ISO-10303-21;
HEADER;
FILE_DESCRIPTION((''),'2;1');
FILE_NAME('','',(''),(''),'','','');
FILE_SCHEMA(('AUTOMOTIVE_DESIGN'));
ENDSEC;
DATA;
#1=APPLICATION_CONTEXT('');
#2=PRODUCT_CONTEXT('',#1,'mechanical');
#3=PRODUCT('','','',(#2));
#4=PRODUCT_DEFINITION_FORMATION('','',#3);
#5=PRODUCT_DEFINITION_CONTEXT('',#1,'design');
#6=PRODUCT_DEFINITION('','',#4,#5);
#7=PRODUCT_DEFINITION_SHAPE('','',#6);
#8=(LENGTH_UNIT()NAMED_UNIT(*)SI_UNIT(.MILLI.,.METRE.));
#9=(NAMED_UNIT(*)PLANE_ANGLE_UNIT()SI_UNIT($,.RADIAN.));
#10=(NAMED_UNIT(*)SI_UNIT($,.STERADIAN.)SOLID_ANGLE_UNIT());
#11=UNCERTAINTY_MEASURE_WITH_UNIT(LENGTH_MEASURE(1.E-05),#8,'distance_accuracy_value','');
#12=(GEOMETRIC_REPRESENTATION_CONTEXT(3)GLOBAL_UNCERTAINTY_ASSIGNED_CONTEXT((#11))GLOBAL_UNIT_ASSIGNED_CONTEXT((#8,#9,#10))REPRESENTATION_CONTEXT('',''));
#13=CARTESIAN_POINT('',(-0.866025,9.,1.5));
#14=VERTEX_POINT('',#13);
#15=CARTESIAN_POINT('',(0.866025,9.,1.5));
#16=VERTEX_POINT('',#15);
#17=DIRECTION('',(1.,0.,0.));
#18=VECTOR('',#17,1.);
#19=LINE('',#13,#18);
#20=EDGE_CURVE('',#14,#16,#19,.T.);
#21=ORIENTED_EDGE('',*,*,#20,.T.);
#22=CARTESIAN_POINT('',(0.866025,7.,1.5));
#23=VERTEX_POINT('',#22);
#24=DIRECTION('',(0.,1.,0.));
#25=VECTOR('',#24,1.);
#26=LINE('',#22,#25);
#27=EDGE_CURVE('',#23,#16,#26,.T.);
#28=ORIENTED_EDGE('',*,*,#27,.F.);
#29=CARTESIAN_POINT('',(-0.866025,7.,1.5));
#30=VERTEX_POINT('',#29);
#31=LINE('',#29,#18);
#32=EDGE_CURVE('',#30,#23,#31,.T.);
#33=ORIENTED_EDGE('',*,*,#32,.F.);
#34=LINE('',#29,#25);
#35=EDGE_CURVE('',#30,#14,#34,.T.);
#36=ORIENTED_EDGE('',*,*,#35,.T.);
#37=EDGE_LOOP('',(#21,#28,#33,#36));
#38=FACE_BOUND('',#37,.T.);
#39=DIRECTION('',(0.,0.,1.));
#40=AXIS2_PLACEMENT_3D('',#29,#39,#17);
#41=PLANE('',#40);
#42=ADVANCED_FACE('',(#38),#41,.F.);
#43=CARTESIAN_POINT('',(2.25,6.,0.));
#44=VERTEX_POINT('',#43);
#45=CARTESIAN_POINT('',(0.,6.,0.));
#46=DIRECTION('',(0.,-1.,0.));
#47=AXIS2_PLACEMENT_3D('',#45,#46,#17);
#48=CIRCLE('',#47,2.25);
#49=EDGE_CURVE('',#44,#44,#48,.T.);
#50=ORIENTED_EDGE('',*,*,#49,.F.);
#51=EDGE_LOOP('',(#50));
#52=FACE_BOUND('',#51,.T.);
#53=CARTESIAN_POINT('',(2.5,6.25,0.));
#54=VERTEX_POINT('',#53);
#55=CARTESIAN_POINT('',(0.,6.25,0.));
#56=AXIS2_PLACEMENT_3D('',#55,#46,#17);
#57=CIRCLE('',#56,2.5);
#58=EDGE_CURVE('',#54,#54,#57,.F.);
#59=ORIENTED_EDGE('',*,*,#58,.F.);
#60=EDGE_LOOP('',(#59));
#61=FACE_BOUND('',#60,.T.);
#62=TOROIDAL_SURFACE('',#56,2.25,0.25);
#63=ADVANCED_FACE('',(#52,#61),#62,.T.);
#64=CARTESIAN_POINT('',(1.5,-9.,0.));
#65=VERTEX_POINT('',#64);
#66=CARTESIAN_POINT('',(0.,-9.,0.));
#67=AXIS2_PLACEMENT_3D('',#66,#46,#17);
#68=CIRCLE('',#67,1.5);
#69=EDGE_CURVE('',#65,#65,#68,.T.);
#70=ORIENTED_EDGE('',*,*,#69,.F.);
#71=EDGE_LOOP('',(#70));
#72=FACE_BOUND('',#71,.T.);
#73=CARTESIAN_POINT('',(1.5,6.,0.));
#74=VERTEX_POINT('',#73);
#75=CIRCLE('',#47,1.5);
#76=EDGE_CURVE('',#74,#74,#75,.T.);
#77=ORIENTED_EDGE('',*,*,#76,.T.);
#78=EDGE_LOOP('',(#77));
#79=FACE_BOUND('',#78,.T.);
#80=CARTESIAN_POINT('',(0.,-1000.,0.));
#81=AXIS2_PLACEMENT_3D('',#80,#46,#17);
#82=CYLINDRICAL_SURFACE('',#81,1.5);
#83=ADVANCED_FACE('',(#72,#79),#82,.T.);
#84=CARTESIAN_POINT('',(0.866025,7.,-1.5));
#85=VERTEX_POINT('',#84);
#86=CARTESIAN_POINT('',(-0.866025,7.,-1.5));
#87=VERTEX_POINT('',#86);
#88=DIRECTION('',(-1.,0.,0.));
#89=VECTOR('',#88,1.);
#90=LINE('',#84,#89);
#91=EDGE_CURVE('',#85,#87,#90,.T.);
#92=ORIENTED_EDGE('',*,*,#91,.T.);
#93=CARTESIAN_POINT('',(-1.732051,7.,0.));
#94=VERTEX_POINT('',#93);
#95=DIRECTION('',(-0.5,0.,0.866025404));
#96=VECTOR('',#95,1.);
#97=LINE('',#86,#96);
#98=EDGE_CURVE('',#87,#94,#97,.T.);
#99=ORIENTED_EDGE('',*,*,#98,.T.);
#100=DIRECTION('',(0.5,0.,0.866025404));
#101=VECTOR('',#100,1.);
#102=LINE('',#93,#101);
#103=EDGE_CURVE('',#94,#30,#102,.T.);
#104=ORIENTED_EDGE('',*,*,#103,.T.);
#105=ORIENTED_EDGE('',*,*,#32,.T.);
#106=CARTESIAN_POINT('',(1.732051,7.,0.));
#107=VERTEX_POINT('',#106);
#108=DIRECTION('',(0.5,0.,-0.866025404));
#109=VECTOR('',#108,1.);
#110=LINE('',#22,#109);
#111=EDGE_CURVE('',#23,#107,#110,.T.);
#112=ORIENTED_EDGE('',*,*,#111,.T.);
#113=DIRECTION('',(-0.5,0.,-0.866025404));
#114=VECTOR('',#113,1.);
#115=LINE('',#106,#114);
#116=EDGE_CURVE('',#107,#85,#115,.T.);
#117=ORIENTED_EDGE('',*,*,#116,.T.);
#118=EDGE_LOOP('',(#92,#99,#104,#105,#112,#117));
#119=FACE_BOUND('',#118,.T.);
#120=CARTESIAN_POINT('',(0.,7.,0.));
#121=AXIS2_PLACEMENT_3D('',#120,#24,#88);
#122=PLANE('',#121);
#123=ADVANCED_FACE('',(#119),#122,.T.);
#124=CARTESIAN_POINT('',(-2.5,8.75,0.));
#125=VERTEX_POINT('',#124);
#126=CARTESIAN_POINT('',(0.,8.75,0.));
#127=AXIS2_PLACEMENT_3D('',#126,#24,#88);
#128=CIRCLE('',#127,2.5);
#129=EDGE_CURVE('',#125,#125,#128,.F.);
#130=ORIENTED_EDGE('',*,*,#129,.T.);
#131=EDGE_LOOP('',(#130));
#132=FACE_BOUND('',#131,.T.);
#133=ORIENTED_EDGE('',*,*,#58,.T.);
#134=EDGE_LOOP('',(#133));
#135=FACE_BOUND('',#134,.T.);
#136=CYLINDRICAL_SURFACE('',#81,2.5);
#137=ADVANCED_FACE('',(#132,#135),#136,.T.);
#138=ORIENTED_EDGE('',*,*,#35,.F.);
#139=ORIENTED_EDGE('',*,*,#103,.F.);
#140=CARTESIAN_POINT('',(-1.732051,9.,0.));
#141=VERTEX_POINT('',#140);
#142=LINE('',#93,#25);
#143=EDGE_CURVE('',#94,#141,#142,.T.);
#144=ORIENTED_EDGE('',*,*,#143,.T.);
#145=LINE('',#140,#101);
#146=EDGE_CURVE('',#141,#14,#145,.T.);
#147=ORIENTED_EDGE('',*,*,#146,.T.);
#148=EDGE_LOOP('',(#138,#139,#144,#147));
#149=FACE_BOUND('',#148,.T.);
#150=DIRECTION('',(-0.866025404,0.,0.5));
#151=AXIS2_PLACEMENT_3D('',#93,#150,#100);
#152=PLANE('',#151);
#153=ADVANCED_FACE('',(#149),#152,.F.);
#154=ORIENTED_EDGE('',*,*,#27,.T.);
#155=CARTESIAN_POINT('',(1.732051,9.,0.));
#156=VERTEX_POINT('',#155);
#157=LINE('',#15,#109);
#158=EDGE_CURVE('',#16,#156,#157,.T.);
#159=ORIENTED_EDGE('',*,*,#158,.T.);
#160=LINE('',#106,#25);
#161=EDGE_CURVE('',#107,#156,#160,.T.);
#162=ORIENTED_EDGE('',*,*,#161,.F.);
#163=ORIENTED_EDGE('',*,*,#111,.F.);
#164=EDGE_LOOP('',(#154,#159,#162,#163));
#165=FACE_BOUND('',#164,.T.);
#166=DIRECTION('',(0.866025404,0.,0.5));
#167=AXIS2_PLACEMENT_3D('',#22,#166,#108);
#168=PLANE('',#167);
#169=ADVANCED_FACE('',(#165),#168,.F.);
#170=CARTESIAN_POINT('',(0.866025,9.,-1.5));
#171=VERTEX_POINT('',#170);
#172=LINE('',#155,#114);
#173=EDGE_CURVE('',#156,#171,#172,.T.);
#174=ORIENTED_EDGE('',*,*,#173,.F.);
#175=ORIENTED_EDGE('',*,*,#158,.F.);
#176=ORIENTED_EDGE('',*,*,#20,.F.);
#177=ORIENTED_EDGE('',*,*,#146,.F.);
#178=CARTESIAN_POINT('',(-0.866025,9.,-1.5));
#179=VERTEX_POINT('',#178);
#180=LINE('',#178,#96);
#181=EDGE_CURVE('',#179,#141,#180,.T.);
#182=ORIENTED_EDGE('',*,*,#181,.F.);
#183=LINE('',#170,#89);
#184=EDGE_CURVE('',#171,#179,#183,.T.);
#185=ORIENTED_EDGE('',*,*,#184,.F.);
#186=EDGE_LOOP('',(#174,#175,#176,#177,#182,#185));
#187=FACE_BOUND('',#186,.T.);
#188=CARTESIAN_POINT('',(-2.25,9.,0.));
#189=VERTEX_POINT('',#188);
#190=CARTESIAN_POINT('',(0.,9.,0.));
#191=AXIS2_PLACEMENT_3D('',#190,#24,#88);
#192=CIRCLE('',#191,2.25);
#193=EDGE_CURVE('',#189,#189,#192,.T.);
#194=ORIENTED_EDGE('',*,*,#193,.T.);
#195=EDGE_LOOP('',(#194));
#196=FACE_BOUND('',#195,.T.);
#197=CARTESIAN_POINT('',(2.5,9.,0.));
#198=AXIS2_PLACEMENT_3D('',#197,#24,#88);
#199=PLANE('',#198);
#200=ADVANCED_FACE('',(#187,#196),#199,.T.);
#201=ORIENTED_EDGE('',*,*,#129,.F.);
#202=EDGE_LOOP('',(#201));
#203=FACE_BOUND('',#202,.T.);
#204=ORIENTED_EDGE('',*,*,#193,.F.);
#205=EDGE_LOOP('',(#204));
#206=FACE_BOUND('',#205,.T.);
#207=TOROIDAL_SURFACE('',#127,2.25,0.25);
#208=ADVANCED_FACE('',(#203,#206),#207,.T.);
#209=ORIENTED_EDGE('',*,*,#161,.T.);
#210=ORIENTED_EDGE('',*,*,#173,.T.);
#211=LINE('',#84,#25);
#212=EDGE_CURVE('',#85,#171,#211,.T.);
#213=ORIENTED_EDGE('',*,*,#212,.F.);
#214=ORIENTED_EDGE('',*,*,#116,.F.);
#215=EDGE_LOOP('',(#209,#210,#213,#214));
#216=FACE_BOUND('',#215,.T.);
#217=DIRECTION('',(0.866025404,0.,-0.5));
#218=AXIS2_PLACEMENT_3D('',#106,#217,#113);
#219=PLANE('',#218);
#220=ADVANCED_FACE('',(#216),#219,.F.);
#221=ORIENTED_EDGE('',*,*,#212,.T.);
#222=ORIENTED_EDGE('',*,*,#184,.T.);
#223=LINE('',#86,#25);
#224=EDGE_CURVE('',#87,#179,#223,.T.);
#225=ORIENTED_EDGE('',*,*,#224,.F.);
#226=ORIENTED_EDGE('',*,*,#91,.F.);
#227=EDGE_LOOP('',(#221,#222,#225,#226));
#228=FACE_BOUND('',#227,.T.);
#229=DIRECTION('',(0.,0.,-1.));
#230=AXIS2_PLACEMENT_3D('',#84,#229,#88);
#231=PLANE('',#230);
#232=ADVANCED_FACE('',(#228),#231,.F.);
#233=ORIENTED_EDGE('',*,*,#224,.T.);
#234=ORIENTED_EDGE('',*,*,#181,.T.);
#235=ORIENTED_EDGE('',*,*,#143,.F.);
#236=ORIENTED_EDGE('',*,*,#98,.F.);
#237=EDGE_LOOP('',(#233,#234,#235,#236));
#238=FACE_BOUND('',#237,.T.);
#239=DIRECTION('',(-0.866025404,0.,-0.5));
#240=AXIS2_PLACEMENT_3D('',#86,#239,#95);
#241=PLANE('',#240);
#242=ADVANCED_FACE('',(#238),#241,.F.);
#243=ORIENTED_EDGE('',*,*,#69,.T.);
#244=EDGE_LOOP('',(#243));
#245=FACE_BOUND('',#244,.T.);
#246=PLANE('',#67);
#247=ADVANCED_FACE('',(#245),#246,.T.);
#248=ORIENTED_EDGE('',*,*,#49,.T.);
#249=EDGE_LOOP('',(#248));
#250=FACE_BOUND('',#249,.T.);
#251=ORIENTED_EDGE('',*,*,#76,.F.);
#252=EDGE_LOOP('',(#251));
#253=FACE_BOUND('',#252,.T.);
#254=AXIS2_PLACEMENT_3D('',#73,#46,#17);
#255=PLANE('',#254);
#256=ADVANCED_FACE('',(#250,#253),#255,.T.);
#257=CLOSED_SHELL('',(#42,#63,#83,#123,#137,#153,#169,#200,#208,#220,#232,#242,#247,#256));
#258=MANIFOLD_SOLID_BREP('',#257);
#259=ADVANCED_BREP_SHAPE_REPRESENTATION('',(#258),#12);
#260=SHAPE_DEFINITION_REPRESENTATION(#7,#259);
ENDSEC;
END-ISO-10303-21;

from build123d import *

# Parameters (mm, degrees)
CUT_EXTRUDE1_DEPTH = 2
FILLET1_R          = 0.25


with BuildPart() as part:
    # Sketch1 → Revolve1 (revolve)
    with BuildSketch(Plane.XY):
        Polygon((0, -9), (1.5, -9), (1.5, 6), (2.5, 6), (2.5, 9), (0, 9), align=None)
    revolve(axis=Axis((0, -1000, 0), (0, 1, 0)))

    # Sketch2 → Cut-Extrude1 (cut)
    with BuildSketch(Plane(origin=(0, 9, 0), x_dir=(1, 0, 0), z_dir=(0, 1, 0))):
        Polygon((0.866025404, 1.5), (-0.866025404, 1.5), (-1.732050808, 0), (-0.866025404, -1.5), (0.866025404, -1.5), (1.732050808, 0), align=None)
    extrude(amount=-CUT_EXTRUDE1_DEPTH, mode=Mode.SUBTRACT)

    # Fillet1
    fillet1_edges = [part.edges().sort_by_distance(p)[0] for p in [
        (-2.5, 9, 0),
        (-2.5, 6, 0),
    ]]
    fillet(fillet1_edges, radius=FILLET1_R)


solid = part.part
